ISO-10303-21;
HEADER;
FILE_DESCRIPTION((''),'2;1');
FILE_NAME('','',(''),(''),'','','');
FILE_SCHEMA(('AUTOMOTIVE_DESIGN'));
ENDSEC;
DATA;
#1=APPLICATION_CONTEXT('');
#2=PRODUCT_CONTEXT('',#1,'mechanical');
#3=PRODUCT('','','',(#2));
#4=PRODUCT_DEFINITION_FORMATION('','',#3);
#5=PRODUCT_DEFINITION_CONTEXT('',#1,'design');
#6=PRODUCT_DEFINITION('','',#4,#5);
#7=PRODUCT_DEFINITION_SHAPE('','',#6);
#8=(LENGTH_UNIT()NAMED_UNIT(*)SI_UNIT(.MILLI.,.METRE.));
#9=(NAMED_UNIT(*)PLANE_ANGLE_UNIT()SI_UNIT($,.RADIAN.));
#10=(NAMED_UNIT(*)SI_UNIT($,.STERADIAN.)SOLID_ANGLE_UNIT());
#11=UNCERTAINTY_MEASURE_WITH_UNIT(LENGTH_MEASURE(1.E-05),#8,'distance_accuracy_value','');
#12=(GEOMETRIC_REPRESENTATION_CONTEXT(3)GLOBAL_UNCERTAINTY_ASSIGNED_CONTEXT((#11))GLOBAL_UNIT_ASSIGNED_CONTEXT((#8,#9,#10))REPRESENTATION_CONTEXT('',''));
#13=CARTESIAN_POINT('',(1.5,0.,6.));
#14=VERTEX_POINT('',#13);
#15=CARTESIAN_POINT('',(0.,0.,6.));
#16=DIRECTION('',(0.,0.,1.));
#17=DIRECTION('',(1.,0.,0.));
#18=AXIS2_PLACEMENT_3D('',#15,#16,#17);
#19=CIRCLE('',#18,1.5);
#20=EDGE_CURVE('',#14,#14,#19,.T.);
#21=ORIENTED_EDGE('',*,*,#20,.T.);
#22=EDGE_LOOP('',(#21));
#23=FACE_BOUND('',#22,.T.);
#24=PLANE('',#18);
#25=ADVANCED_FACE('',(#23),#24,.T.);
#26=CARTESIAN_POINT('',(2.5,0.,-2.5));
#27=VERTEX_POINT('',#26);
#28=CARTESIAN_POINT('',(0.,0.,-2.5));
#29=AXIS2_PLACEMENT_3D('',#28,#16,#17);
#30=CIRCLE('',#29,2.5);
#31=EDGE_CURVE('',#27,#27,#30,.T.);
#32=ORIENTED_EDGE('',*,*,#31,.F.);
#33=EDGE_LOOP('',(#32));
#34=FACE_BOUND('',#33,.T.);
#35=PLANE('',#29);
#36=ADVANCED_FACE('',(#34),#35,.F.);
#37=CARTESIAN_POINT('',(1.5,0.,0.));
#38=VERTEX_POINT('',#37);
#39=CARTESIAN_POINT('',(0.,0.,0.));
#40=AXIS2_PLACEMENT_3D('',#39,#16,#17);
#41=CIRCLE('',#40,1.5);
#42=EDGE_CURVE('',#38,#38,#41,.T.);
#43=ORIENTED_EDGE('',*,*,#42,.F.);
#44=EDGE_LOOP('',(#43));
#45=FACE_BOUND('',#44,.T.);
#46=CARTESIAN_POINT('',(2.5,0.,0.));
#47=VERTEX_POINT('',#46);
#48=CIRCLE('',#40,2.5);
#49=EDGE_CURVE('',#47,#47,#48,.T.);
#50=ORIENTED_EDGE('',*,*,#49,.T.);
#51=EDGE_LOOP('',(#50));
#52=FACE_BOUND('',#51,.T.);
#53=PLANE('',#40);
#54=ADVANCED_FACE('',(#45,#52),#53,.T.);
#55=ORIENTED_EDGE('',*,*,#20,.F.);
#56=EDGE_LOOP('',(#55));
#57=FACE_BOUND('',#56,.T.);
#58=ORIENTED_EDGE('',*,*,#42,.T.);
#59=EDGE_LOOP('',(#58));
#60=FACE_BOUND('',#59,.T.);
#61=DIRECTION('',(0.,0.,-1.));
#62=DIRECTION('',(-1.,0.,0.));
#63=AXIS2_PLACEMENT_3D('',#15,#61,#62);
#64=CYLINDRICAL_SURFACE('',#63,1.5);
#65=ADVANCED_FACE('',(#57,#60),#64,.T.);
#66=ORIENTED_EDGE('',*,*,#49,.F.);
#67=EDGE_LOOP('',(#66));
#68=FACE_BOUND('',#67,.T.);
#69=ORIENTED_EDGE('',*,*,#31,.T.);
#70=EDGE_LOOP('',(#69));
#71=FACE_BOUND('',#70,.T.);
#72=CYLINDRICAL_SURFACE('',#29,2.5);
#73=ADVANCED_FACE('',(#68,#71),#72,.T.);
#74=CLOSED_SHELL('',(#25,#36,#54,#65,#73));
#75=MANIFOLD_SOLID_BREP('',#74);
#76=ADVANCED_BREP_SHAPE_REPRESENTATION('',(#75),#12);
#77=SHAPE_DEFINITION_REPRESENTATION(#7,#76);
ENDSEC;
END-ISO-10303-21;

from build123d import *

# Parameters (mm, degrees)
SKETCH1_R           = 2.5
BOSS_EXTRUDE3_DEPTH = 2.5
SKETCH1_3_R         = 1.5
BOSS_EXTRUDE4_DEPTH = 6


with BuildPart() as part:
    # Sketch1 → Boss-Extrude3 (new body)
    with BuildSketch(Plane.XY):
        Circle(SKETCH1_R)
    extrude(amount=-BOSS_EXTRUDE3_DEPTH)

    # Sketch1<3> → Boss-Extrude4 (add)
    with BuildSketch(Plane.XY):
        Circle(SKETCH1_3_R)
    extrude(amount=BOSS_EXTRUDE4_DEPTH)


solid = part.part
